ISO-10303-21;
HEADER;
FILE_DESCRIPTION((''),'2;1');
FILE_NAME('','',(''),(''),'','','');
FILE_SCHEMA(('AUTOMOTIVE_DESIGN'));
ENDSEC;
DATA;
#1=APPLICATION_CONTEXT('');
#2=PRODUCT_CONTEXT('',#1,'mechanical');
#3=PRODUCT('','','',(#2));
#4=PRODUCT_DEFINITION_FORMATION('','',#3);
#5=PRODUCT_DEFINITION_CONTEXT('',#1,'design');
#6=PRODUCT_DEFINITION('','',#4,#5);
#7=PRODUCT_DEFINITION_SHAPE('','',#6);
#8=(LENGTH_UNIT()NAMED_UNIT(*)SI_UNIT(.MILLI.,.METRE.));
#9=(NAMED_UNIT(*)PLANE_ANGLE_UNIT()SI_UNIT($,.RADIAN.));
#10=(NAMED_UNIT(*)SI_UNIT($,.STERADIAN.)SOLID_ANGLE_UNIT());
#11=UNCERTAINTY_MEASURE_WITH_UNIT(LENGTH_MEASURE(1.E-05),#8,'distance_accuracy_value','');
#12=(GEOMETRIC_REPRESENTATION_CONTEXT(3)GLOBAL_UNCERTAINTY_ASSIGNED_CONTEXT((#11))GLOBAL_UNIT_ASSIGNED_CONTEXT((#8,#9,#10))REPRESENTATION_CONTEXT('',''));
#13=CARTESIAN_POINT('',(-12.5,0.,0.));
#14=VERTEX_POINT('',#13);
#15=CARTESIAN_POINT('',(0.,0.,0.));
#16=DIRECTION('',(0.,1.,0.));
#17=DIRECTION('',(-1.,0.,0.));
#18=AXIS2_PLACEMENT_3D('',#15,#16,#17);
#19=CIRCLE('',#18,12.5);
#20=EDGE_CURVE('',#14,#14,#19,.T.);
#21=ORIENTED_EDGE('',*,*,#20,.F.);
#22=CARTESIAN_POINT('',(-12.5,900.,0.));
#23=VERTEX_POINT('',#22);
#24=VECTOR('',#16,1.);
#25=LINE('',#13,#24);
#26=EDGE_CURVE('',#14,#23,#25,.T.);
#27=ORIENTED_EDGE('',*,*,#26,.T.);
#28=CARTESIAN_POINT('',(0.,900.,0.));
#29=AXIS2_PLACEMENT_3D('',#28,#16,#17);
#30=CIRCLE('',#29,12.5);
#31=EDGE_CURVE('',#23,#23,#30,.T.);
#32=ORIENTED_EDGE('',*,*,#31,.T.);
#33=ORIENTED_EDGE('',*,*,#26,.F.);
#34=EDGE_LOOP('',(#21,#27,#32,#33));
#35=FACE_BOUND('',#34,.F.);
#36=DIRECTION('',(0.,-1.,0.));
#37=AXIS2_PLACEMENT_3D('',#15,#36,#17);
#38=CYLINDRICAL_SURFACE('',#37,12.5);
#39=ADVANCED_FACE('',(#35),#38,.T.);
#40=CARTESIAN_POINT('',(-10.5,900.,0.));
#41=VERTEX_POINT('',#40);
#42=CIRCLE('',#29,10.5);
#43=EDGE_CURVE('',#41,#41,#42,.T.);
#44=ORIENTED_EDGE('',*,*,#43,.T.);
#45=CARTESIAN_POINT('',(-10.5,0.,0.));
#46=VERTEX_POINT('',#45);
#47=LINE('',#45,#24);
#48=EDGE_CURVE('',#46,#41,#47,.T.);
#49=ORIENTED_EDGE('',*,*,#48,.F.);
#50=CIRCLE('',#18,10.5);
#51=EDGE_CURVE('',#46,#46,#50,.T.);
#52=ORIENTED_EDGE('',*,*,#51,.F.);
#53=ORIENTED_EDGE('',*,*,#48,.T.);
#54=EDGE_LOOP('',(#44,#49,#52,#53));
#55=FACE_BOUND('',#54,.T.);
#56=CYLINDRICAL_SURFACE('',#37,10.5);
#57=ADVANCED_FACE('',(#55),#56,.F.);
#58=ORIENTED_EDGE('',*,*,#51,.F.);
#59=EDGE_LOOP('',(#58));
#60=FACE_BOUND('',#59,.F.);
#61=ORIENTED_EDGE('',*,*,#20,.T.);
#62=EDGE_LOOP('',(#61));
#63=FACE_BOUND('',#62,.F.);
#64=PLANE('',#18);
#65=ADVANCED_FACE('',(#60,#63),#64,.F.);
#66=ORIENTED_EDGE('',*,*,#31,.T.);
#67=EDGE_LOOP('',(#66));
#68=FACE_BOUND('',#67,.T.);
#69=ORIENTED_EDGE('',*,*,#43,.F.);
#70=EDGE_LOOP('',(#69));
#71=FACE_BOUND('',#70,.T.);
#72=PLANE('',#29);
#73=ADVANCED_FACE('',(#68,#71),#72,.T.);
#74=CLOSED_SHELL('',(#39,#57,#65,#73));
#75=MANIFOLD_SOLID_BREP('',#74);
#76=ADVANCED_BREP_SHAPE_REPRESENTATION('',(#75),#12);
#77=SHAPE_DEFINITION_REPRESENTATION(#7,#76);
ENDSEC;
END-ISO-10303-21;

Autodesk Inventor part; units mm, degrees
ref_plane "YZ Plane" through (0, 0, 0) normal (1, 0, 0) x (0, 1, 0)
ref_plane "XZ Plane" through (0, 0, 0) normal (0, 1, 0) x (-1, 0, 0)
ref_plane "XY Plane" through (0, 0, 0) normal (0, 0, 1) x (1, 0, 0)
sketch "Sketch1" plane through (0, 0, 0) normal (0, 1, 0) x (-1, 0, 0)
  circle A0 centre (0, 0) radius 12.5
  circle A1 centre (0, 0) radius 10.5
  dimension "d0" = 25
  dimension "d1" = 21
extrude "Extrusion1" add sketch "Sketch1" along normal blind 900
properties part number "carbon_fiber_25_21_800" material "CFRP"
